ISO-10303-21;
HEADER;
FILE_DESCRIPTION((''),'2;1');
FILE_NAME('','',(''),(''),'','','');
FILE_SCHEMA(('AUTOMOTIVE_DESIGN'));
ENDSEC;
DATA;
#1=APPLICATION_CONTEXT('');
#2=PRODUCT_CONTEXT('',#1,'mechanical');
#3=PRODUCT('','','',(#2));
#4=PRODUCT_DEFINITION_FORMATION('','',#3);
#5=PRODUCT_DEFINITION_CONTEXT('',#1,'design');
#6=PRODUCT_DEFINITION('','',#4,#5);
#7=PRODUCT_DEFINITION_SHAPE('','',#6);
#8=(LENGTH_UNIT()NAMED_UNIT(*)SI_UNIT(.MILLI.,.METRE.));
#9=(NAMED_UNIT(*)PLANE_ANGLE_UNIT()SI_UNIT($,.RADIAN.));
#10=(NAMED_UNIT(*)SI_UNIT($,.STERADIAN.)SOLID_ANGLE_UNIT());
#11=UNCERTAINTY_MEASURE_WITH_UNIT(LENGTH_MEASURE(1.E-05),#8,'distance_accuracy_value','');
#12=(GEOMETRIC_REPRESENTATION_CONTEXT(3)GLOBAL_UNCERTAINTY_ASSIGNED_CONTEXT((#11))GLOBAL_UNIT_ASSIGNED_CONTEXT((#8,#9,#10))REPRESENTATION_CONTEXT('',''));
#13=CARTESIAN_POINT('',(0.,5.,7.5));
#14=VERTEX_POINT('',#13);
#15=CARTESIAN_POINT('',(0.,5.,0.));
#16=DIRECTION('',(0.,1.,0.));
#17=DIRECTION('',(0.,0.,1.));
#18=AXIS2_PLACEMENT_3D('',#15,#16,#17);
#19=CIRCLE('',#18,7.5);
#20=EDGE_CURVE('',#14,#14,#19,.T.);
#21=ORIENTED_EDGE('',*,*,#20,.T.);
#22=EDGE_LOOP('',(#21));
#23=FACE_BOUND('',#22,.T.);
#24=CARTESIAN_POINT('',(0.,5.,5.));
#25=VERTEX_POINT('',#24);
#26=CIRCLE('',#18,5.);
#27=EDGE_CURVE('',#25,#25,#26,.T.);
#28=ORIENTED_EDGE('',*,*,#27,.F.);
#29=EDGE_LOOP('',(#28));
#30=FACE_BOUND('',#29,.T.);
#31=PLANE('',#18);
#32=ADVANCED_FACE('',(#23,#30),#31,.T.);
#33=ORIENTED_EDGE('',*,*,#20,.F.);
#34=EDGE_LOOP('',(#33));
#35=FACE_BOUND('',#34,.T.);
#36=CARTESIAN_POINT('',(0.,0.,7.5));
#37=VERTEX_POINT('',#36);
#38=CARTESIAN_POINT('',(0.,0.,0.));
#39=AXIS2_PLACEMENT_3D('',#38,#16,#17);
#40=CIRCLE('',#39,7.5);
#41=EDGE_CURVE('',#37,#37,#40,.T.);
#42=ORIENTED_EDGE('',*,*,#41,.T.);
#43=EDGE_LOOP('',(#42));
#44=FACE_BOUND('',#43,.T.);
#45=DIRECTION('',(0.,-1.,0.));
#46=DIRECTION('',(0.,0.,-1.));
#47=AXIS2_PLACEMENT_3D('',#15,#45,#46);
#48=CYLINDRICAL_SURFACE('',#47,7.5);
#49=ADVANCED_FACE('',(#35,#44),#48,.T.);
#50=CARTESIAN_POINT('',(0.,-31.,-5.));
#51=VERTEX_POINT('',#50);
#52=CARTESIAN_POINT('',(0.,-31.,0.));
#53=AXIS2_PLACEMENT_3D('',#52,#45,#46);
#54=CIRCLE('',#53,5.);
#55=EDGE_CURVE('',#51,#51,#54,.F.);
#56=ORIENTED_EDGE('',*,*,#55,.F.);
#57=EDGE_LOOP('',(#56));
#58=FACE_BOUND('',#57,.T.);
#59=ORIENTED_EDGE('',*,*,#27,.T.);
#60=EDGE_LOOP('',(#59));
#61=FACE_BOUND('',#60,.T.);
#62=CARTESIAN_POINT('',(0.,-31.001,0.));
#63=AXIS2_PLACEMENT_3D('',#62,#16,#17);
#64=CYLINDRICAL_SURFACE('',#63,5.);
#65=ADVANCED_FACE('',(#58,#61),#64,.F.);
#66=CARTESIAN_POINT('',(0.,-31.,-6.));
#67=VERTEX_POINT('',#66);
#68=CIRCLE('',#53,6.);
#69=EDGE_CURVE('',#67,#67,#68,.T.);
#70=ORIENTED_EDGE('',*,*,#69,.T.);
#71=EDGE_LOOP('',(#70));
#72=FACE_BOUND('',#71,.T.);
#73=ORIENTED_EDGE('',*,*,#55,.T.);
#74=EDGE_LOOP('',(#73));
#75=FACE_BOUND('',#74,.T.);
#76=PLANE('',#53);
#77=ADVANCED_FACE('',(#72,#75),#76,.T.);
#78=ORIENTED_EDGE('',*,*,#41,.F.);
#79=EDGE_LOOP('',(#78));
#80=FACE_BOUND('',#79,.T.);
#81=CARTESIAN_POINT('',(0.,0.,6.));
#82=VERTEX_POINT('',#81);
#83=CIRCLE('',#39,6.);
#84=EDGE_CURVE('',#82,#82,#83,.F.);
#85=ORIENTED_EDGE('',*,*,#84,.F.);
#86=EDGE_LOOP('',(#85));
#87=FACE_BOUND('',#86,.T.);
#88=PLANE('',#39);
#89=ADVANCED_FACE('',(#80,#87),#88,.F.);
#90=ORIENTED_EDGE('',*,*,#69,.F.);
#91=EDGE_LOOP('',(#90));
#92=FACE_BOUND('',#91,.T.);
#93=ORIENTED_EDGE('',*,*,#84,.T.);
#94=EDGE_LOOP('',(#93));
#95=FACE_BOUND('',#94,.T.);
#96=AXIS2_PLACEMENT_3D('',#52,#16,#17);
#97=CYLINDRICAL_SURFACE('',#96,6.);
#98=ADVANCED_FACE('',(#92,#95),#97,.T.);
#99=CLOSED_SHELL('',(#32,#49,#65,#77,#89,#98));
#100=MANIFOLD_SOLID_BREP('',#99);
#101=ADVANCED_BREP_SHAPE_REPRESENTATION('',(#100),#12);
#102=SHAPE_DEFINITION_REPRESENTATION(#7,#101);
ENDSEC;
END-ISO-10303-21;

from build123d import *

# Parameters (mm, degrees)
ESQUISSE1_R      = 7.5
EXTRUSION1_DEPTH = 5
ESQUISSE2_R      = 6
EXTRUSION2_DEPTH = 31
EXTRUSION3_REACH = 38
ESQUISSE3_R      = 5


with BuildPart() as part:
    # Esquisse1 → Extrusion1 (new body)
    with BuildSketch(Plane(origin=(0, 0, 0), x_dir=(1, 0, 0), z_dir=(0, 1, 0))):
        Circle(ESQUISSE1_R)
    extrude(amount=EXTRUSION1_DEPTH)

    # Esquisse2 → Extrusion2 (add)
    with BuildSketch(Plane.XZ):
        Circle(ESQUISSE2_R)
    extrude(amount=EXTRUSION2_DEPTH)

    # Esquisse3 → Extrusion3 (cut, up to next)
    with BuildSketch(Plane(origin=(0, 5, 0), x_dir=(1, 0, 0), z_dir=(0, 1, 0)), mode=Mode.PRIVATE) as extrusion3_sk1:
        Circle(ESQUISSE3_R)
    extrusion3_tool1 = extrude(extrusion3_sk1.sketch, amount=-EXTRUSION3_REACH, mode=Mode.PRIVATE) & part.part
    add(extrusion3_tool1.solids().sort_by_distance((0, 5, 0))[0], mode=Mode.SUBTRACT)


solid = part.part
